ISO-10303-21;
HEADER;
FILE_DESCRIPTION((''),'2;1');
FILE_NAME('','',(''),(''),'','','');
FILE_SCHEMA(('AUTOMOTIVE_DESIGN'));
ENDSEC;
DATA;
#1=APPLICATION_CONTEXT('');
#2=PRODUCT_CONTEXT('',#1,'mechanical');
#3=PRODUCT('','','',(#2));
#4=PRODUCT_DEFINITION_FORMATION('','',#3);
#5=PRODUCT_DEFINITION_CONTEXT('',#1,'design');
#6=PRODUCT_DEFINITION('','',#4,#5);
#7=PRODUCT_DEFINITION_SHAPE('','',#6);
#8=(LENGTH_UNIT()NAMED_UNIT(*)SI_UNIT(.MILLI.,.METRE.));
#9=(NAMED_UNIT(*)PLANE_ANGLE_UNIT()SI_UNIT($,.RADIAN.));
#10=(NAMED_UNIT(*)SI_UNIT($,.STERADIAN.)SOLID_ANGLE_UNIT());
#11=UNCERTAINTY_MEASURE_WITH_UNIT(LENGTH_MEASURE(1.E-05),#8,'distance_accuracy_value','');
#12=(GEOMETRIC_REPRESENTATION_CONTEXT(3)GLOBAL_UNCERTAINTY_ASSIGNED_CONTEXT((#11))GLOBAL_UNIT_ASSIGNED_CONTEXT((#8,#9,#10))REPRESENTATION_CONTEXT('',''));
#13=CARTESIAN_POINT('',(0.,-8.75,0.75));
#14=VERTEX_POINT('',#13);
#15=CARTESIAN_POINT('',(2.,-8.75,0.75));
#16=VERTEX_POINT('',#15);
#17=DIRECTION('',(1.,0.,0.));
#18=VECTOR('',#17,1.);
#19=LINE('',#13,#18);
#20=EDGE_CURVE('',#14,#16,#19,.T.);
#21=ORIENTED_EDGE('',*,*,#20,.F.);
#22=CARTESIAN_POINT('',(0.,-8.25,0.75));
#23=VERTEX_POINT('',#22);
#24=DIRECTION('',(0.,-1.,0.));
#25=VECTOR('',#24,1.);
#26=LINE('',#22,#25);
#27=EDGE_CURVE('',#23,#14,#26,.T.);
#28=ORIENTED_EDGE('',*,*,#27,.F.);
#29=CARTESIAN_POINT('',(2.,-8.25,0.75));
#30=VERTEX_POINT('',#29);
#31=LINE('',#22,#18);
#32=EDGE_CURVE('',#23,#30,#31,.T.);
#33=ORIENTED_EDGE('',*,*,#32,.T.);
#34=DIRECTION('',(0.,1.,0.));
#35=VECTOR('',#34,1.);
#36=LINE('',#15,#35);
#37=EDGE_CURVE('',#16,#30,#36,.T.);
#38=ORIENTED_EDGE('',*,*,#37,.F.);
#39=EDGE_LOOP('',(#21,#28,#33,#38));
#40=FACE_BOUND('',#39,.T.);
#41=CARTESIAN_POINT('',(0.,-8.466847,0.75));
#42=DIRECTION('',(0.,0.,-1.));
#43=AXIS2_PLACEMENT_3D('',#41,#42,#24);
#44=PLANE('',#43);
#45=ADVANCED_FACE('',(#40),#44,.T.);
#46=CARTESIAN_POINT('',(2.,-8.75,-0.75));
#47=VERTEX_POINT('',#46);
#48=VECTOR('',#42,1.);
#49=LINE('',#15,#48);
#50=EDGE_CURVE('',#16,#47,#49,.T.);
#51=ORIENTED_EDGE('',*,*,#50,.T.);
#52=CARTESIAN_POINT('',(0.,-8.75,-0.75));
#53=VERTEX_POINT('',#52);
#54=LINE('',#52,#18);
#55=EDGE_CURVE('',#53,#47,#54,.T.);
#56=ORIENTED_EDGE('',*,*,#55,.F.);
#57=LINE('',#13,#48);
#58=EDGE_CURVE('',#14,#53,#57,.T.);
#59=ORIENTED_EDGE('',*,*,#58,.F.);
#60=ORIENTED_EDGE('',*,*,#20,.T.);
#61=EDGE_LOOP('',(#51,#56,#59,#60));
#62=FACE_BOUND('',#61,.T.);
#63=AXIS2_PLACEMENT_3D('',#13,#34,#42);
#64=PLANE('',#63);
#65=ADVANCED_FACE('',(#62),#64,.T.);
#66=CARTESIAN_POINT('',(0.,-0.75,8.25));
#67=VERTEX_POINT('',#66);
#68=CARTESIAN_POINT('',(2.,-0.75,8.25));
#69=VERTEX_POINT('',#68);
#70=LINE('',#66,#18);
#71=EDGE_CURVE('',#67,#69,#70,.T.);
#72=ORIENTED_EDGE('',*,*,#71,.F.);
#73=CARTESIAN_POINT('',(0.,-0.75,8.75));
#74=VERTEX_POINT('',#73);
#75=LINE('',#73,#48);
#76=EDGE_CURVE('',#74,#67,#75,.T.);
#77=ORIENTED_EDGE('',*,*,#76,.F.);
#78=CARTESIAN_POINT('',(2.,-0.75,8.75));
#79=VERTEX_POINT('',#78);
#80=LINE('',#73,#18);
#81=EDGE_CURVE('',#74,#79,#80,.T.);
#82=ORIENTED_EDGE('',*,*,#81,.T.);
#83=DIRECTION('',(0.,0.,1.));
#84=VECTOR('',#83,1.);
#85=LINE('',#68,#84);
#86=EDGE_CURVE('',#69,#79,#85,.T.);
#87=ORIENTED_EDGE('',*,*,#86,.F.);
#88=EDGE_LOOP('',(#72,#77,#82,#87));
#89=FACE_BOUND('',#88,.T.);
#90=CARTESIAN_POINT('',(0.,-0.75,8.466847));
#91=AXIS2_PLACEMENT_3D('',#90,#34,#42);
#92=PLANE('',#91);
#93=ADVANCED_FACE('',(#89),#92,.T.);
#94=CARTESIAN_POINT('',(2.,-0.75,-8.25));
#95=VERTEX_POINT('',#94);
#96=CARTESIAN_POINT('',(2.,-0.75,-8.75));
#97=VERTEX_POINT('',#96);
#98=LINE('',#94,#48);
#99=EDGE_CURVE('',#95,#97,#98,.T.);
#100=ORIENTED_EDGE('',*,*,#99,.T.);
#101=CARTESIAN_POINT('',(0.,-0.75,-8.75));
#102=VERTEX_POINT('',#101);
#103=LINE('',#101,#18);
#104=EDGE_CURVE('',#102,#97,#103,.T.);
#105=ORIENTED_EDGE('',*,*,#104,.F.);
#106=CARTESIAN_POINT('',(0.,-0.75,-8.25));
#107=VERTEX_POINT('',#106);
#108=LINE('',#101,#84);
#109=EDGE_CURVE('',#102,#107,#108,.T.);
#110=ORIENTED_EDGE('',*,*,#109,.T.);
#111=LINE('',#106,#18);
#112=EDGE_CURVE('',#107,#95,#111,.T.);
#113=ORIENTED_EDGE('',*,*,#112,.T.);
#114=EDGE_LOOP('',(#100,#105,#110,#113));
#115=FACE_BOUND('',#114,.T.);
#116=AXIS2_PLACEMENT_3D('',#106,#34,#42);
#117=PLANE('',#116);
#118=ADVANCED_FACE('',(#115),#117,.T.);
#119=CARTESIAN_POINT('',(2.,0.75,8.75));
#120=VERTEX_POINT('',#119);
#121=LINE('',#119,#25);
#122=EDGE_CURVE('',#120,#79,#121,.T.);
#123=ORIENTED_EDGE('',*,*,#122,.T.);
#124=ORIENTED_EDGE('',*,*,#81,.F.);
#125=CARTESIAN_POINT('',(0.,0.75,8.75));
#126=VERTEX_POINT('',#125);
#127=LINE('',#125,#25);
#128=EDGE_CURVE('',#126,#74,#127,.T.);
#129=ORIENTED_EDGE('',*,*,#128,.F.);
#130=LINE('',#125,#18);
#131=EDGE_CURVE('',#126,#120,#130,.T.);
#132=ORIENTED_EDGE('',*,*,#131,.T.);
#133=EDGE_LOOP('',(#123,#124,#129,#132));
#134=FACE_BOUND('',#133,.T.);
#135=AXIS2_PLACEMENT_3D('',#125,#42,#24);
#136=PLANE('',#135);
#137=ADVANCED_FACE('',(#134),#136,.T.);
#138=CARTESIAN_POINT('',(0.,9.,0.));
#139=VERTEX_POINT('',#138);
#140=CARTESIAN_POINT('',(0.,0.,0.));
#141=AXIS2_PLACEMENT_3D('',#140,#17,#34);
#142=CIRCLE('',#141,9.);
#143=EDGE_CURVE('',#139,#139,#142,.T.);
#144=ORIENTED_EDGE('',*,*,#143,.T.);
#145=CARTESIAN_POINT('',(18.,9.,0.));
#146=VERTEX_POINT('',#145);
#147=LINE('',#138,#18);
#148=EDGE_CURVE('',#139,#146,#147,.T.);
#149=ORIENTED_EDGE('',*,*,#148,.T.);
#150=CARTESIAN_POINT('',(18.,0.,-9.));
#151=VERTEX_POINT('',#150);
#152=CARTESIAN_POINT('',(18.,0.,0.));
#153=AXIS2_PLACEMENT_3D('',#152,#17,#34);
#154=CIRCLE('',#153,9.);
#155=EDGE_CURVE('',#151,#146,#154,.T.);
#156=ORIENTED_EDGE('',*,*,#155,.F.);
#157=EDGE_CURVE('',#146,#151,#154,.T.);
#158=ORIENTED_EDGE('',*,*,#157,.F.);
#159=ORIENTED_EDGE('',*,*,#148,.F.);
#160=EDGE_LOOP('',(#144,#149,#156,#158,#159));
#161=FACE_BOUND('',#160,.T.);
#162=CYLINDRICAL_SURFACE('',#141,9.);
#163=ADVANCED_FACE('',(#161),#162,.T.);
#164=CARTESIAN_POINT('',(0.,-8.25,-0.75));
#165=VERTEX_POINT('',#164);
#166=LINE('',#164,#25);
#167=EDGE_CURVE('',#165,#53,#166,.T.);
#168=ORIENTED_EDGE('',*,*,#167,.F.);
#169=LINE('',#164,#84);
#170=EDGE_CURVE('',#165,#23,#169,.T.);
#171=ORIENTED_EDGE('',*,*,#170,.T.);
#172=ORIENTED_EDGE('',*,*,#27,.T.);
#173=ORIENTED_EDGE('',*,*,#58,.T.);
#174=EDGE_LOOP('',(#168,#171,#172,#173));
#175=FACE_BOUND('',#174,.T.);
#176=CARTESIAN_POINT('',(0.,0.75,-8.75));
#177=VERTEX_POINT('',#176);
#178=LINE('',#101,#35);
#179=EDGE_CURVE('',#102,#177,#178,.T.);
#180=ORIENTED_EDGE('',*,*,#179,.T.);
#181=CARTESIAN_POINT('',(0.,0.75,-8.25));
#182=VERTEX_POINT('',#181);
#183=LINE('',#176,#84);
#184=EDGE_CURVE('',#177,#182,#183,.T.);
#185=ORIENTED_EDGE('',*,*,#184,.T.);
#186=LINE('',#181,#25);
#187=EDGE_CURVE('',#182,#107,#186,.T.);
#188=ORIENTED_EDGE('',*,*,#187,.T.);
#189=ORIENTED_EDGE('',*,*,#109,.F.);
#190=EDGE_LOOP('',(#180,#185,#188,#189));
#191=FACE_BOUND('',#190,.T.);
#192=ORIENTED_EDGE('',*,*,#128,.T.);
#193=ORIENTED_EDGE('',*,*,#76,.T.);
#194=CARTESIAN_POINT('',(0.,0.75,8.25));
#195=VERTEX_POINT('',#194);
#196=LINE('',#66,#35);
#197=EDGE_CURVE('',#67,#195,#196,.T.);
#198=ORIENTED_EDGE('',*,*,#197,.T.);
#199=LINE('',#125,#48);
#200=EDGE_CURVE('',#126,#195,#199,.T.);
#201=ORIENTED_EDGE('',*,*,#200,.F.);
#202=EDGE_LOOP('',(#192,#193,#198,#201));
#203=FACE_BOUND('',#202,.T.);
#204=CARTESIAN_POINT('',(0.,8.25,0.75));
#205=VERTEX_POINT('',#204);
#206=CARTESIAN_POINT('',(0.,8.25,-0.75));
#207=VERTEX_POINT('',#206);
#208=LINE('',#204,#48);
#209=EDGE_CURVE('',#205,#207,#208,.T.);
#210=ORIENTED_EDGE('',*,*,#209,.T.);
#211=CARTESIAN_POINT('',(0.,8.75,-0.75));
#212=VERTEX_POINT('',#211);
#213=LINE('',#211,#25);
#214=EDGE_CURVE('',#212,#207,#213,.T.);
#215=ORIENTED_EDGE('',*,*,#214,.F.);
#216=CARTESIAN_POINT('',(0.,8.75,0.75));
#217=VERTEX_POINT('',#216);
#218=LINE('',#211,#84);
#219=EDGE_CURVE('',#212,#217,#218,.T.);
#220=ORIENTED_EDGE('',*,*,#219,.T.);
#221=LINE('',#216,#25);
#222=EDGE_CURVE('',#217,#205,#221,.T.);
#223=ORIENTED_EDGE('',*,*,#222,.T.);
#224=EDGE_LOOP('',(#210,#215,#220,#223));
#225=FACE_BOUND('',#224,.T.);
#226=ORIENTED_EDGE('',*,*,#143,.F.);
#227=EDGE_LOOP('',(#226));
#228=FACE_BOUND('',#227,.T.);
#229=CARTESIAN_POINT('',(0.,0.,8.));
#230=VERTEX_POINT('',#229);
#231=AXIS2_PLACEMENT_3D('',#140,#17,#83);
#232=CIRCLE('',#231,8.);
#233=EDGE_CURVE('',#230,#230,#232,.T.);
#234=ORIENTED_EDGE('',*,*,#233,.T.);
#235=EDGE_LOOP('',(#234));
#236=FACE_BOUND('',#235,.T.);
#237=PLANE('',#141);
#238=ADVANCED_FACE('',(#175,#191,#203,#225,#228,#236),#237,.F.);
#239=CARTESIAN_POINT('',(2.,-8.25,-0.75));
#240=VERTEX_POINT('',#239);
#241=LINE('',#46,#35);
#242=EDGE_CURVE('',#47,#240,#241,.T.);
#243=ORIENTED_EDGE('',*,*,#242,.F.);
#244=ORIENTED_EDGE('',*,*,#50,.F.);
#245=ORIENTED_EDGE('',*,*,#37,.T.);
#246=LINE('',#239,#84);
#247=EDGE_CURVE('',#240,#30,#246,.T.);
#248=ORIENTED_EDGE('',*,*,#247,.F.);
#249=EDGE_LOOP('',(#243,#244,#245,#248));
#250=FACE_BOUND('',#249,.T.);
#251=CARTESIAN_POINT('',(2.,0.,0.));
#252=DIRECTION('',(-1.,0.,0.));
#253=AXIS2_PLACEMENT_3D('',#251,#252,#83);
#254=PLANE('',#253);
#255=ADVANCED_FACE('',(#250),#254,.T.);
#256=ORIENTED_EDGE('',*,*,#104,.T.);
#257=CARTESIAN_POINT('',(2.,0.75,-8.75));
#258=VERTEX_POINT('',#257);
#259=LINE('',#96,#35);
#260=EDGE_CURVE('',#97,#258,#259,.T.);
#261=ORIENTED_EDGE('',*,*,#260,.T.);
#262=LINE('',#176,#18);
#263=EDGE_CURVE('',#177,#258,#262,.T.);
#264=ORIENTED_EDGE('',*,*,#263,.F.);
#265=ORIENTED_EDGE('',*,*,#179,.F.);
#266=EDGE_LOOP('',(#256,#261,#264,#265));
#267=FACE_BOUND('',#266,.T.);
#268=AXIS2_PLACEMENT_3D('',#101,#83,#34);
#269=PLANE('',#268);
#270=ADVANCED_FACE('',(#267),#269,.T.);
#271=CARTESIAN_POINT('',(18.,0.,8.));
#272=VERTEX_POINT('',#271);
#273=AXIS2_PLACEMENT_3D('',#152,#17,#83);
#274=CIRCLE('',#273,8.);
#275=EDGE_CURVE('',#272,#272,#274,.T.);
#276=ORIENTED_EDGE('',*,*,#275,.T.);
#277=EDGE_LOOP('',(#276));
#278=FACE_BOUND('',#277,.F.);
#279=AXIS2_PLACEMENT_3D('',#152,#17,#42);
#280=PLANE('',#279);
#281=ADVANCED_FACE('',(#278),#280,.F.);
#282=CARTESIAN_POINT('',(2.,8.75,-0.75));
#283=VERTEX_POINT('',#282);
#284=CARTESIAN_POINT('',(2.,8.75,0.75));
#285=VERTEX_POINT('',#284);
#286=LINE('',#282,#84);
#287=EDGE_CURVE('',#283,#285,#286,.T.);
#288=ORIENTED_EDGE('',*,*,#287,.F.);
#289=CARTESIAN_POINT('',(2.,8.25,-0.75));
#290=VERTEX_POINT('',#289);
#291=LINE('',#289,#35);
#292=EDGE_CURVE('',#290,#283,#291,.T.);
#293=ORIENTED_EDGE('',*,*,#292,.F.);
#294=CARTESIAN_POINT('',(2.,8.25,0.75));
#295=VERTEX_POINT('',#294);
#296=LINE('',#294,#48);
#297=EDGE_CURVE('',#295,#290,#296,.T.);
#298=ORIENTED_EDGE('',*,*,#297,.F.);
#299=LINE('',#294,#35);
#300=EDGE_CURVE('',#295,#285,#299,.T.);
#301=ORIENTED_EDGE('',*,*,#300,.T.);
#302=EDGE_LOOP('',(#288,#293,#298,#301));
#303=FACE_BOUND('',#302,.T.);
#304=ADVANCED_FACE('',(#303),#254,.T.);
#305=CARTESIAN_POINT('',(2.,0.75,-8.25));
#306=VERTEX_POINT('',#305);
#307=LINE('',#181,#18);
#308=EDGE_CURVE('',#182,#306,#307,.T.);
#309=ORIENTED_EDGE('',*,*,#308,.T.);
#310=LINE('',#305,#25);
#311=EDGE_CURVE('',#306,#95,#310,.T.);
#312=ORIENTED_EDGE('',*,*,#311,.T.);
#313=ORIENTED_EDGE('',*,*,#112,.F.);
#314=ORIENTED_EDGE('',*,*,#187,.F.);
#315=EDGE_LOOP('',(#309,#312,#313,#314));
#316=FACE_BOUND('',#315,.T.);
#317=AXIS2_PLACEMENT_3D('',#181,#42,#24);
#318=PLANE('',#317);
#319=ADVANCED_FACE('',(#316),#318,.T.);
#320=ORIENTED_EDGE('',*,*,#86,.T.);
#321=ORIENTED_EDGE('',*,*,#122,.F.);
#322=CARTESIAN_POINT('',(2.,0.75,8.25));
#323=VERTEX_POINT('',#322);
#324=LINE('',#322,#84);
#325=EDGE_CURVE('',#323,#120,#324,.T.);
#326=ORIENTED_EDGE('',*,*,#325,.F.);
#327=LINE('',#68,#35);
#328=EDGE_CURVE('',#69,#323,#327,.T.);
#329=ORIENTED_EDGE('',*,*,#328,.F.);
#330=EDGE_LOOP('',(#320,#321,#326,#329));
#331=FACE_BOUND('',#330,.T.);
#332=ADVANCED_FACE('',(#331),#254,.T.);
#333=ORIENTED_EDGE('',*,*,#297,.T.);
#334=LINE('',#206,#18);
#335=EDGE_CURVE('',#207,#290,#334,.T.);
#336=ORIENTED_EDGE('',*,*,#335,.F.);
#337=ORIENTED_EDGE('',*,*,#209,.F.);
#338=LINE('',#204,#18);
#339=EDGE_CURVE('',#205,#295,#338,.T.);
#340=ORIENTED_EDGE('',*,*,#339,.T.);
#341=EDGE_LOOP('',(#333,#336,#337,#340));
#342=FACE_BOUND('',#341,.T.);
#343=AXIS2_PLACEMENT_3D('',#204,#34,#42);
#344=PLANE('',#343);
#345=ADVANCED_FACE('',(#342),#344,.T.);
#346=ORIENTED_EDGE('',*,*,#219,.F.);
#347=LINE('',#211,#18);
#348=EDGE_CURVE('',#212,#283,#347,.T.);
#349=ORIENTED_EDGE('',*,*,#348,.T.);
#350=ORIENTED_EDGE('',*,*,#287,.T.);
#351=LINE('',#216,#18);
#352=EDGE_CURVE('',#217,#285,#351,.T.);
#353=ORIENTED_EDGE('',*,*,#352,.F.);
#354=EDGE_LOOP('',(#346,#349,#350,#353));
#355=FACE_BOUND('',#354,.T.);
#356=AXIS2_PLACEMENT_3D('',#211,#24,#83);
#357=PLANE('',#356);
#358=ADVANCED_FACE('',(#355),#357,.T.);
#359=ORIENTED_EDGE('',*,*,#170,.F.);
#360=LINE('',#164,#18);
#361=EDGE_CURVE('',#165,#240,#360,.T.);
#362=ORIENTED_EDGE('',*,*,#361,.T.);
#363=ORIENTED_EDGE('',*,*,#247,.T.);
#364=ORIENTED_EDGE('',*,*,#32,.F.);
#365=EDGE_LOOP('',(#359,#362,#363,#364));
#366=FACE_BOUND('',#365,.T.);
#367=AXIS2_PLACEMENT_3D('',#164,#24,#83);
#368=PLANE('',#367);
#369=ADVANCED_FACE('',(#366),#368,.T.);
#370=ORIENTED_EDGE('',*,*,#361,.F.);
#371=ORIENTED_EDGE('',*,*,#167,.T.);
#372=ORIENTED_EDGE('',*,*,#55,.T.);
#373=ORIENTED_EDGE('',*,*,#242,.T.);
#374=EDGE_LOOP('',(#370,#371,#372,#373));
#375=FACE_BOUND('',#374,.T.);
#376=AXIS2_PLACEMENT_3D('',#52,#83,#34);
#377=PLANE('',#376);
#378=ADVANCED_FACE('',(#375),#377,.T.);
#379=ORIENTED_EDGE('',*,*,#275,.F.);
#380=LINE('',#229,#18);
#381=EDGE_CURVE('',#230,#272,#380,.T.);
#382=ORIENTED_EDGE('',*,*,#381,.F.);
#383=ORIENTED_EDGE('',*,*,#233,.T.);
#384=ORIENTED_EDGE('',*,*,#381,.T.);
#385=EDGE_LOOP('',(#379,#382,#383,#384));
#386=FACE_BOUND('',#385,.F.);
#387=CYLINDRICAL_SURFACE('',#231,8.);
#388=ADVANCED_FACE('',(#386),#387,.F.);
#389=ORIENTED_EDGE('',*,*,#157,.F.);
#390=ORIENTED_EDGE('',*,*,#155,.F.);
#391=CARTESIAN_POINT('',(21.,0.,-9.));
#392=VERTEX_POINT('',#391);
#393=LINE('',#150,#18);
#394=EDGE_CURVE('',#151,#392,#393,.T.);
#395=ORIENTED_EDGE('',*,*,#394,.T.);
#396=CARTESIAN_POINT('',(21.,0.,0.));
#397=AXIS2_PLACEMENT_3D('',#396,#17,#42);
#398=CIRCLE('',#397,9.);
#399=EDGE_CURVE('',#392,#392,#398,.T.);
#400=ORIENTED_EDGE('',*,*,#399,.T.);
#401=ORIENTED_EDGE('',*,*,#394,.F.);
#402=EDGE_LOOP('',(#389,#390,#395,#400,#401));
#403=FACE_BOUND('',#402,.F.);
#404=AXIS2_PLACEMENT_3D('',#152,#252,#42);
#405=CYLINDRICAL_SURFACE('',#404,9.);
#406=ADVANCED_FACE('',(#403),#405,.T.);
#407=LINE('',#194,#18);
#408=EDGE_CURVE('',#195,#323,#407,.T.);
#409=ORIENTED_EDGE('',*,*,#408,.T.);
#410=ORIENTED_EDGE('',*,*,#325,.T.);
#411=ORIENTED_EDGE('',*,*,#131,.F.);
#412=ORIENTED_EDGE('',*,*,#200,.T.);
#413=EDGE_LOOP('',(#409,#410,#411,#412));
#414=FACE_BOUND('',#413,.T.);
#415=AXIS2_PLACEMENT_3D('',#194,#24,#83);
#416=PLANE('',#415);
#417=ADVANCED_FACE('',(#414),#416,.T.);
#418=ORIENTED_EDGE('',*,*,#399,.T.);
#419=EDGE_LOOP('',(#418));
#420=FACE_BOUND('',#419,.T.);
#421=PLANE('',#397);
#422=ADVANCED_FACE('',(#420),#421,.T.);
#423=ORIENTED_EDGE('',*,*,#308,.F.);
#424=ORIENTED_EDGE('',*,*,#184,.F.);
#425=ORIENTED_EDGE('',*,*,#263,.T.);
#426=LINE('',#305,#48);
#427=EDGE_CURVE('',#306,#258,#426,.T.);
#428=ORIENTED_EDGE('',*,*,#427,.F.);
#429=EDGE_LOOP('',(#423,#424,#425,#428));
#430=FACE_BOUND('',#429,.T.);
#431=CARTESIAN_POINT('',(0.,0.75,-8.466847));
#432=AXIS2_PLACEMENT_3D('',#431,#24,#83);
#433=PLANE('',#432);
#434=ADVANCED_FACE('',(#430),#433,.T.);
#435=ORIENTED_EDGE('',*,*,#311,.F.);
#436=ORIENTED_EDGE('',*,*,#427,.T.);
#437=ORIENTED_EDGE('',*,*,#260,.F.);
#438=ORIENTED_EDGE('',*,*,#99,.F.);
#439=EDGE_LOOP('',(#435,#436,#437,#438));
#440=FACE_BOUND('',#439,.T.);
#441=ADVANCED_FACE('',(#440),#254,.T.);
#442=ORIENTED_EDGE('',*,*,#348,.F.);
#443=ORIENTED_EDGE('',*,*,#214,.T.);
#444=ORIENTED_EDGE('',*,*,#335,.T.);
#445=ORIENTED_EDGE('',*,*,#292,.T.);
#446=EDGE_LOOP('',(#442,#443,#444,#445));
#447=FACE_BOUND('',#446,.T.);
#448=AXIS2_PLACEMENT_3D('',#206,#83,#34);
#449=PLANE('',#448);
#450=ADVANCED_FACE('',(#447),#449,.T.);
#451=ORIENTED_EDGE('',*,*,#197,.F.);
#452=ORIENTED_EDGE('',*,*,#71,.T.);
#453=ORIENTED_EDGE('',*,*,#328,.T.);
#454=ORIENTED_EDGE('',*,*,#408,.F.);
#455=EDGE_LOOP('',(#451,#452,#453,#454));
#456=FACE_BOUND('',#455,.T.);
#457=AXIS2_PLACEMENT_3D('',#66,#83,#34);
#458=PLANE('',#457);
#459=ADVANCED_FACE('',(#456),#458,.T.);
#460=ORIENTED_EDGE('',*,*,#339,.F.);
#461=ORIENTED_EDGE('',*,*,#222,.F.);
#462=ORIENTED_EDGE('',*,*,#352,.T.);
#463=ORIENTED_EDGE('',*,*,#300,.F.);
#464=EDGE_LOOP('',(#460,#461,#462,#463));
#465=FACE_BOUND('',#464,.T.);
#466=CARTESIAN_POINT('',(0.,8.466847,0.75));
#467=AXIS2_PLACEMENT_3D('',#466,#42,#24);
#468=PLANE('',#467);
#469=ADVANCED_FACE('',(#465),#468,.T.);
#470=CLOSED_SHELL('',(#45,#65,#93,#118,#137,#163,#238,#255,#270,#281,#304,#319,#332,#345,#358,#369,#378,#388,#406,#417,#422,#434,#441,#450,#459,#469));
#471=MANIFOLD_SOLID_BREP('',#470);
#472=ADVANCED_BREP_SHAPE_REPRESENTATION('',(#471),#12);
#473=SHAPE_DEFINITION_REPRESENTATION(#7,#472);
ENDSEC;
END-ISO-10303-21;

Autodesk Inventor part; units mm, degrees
ref_plane "YZ Plane" through (0, 0, 0) normal (1, 0, 0) x (0, 1, 0)
ref_plane "XZ Plane" through (0, 0, 0) normal (0, 1, 0) x (-1, 0, 0)
ref_plane "XY Plane" through (0, 0, 0) normal (0, 0, 1) x (1, 0, 0)
sketch "Sketch1" plane through (0, 0, 0) normal (0, 0, 1) x (1, 0, 0)
  line L0 (0, 0) -> (18, 0)
  line L1 (0, 0) -> (0, 9)
  line L2 (0, 9) -> (18, 9)
  line L3 (18, 9) -> (18, 0)
  dimension "d2" = 18
revolve "Revolution1" add sketch "Sketch1" angle 360 about axis through (0, 0, 0) along (1, 0, 0)
sketch "Sketch2" plane through (0, 0, 0) normal (-1, 0, 0) x (0, 0, 1)
  circle A0 centre (0, 0) radius 8
  circle A1 centre (0, 0) radius 9 projected
  dimension "d4" = 18
  dimension "d5" = 16
hole "Hole1" at (0, 0, 0) direction (1, 0, 0) diameter 16 end through all
sketch "Sketch3" plane through (18, 0, 0) normal (1, 0, 0) x (0, 0, -1)
  circle A0 centre (0, 0) radius 9
  circle A1 centre (0, 0) radius 9 projected
  dimension "d13" = 18
  dimension "d14" = 18
extrude "Extrusion1" add sketch "Sketch3" along normal blind 3
sketch "Sketch4" plane through (0, 0, 0) normal (-1, 0, 0) x (0, 0, 1)
  circle A0 centre (0, 0) radius 9 projected
  circle A1 centre (0, 0) radius 8 projected
  circle A2 centre (0, 0) radius 8.5
  line L0 (0.75, -8.75) -> (-0.75, -8.75)
  line L1 (-0.75, -8.75) -> (-0.75, -8.25)
  line L2 (-0.75, -8.25) -> (0.75, -8.25)
  line L3 (0.75, -8.25) -> (0.75, -8.75)
  line L4 (8.25, -0.75) -> (8.25, 0.75)
  line L5 (8.75, -0.75) -> (8.25, -0.75)
  line L6 (8.75, 0.75) -> (8.75, -0.75)
  line L7 (8.25, 0.75) -> (8.75, 0.75)
  line L8 (0.75, 8.25) -> (-0.75, 8.25)
  line L9 (0.75, 8.75) -> (0.75, 8.25)
  line L10 (-0.75, 8.75) -> (0.75, 8.75)
  line L11 (-0.75, 8.25) -> (-0.75, 8.75)
  line L12 (-8.25, 0.75) -> (-8.25, -0.75)
  line L13 (-8.75, 0.75) -> (-8.25, 0.75)
  line L14 (-8.75, -0.75) -> (-8.75, 0.75)
  line L15 (-8.25, -0.75) -> (-8.75, -0.75)
  dimension "d17" = 18
  dimension "d18" = 17
  dimension "d19" = 0.5
  dimension "d20" = 1.5
  dimension "d21" = 0.25
  dimension "d22" = 0.75
  dimension "d26" = 360
extrude "Extrusion2" cut sketch "Sketch4" against normal blind 2 contours A2 L5 L4 L7 | A2 L7 L6 L5 | L9 L8 L11 A2 | A2 L11 L10 L9 | L3 L0 L1 A2 | A2 L1 L2 L3 | L13 L12 L15 A2 | A2 L15 L14 L13
equation "\"d6\" = d5"
equation "\"d13\" = d14"
properties part number "McCrea_dolny_kos_walle_MIR2" material "ABS Plastic"
